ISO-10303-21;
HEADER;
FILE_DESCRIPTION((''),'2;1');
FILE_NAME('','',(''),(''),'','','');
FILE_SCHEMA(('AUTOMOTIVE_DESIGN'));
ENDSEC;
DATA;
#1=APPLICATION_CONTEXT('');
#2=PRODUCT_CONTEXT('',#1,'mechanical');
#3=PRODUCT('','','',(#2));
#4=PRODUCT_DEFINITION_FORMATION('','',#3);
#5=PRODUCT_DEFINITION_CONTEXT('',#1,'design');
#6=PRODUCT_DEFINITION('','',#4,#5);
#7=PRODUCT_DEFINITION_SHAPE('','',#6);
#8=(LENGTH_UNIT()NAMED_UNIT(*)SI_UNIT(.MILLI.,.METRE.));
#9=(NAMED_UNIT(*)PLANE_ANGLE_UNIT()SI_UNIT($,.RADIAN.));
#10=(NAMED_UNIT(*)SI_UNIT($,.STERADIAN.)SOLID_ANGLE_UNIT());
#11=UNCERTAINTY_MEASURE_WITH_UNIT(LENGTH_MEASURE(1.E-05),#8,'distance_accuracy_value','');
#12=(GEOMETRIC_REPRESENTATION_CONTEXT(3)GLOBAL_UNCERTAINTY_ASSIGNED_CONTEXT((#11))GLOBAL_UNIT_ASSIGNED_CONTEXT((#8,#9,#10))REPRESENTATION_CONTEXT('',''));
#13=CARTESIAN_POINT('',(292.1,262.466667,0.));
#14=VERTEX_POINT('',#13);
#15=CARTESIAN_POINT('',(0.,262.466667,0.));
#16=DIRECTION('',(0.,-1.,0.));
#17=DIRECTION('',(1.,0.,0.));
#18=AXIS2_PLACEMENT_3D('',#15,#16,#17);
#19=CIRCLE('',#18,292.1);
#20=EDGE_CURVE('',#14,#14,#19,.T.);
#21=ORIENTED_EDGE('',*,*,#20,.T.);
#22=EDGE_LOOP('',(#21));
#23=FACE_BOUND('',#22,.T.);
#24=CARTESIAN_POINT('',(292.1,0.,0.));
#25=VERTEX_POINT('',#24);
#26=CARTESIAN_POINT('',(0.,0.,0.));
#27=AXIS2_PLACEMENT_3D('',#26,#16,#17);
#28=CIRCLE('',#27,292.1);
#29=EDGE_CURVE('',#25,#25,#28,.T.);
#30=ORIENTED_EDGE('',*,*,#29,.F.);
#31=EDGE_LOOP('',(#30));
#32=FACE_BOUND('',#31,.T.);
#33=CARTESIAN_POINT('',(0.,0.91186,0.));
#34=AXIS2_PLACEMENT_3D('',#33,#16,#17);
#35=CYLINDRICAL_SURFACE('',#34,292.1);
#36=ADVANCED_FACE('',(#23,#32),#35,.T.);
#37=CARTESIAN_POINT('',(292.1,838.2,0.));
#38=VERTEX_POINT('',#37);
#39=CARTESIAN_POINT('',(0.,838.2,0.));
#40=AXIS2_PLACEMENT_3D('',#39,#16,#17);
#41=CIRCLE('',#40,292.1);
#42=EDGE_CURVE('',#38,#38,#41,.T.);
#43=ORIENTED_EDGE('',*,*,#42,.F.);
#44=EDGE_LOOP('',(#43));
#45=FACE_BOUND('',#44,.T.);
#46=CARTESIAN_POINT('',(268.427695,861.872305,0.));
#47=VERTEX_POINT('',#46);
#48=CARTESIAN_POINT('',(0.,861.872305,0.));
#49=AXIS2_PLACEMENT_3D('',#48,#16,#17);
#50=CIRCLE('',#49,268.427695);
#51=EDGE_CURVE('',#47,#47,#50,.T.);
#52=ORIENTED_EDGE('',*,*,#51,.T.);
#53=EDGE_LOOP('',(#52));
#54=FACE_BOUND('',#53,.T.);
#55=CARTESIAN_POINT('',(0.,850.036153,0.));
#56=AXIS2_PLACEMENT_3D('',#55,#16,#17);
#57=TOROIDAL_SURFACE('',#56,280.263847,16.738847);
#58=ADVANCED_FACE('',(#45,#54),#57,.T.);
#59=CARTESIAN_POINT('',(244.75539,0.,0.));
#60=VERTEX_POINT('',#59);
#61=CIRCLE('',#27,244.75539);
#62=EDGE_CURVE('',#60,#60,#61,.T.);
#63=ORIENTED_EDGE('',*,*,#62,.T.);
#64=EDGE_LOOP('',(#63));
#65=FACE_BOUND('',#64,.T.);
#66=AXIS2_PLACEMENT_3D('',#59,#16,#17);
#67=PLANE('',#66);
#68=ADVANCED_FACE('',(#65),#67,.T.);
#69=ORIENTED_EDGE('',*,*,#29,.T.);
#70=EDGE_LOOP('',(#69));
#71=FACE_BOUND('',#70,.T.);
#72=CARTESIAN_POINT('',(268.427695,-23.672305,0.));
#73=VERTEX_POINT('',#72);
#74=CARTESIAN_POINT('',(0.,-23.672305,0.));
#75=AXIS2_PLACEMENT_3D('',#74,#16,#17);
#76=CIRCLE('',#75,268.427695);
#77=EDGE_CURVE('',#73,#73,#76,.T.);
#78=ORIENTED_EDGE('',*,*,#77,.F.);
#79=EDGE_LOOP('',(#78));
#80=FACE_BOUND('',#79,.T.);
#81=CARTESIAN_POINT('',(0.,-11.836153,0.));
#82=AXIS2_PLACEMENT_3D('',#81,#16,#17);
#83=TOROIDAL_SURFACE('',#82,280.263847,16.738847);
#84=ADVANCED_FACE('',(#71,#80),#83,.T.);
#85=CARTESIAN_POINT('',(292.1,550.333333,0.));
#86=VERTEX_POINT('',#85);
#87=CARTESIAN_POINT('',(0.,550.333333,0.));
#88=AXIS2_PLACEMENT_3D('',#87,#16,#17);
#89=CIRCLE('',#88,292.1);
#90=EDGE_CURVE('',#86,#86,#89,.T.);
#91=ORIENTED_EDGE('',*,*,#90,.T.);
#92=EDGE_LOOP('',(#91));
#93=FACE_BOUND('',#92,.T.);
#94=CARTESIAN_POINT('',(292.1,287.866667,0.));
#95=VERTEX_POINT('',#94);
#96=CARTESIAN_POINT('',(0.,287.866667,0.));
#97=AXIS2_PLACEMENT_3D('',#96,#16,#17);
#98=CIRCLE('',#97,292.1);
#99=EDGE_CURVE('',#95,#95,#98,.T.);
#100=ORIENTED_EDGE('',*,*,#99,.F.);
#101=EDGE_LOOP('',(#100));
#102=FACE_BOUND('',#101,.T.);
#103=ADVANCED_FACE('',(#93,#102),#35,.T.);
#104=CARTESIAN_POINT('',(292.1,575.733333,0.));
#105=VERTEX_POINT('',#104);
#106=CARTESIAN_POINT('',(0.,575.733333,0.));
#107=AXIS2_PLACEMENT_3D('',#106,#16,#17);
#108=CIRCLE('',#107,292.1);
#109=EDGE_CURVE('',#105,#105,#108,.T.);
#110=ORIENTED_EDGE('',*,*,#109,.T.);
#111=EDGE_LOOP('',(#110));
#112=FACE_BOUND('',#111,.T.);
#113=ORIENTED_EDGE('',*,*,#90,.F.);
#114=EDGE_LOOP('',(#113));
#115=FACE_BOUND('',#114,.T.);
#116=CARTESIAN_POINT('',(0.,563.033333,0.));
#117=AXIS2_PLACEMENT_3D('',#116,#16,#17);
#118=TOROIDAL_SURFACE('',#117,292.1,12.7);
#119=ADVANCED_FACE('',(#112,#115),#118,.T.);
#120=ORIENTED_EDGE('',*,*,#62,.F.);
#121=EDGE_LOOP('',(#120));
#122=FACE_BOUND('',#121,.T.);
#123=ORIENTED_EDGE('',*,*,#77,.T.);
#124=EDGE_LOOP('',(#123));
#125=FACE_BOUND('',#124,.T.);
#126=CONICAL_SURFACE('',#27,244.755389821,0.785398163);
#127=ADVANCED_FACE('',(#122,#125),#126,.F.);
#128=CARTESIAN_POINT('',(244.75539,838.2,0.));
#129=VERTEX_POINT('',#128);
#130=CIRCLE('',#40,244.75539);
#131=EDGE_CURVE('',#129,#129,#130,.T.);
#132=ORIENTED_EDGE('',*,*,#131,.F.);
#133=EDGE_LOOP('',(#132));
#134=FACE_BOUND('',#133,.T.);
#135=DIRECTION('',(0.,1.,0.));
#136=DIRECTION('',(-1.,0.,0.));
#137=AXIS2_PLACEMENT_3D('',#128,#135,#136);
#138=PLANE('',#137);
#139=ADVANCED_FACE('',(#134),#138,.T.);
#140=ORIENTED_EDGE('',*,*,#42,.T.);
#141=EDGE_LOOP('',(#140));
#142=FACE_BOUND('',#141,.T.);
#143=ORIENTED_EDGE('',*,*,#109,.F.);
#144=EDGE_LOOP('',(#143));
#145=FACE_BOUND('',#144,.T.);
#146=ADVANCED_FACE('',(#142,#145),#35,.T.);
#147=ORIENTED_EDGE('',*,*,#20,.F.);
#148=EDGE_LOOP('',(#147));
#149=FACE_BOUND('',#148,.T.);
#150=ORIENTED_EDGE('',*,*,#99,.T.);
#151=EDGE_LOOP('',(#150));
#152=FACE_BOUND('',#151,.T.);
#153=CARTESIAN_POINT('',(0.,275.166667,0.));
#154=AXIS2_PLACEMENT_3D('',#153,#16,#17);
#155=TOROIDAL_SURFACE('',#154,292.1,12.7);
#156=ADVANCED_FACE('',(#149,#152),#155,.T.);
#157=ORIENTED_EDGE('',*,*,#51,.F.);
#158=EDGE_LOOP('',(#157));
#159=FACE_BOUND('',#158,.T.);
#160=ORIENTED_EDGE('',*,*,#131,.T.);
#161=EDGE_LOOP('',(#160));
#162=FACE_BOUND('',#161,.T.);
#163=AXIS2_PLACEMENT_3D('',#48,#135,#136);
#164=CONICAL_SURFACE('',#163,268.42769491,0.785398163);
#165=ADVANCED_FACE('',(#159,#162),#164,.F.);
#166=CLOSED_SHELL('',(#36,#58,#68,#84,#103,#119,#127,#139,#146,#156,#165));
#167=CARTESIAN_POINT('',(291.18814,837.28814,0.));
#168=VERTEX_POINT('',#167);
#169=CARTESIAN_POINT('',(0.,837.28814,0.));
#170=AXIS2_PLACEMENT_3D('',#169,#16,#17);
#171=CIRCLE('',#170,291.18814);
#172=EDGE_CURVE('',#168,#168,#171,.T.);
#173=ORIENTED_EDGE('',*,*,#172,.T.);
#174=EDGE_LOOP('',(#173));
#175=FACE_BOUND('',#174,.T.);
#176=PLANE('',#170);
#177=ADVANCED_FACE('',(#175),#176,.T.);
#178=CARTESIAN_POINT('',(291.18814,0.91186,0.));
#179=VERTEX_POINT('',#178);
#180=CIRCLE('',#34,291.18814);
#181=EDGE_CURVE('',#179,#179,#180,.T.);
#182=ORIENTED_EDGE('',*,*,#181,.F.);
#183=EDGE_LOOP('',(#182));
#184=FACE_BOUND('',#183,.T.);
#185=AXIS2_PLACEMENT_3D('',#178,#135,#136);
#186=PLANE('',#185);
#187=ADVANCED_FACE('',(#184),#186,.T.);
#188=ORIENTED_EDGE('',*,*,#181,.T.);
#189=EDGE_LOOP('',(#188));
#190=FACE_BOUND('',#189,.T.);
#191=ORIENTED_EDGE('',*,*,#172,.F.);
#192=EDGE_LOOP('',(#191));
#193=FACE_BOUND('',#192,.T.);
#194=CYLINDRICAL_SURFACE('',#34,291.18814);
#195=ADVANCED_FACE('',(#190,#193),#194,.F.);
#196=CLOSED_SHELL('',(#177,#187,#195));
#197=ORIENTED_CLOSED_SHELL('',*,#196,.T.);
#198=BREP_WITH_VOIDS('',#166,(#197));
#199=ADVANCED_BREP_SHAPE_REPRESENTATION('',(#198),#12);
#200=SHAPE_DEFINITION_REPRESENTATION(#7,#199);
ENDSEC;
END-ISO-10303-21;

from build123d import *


with BuildPart() as part:
    # Sketch1 → Revolve1 (revolve)
    with BuildSketch(Plane.XY):
        with BuildLine():
            Line((292.1, 0), (292.1, 262.466666667))
            ThreePointArc((292.1, 262.466666667), (304.8, 275.166666667), (292.1, 287.866666667))
            Line((292.1, 287.866666667), (292.1, 550.333333333))
            ThreePointArc((292.1, 550.333333333), (304.8, 563.033333333), (292.1, 575.733333333))
            Line((292.1, 575.733333333), (292.1, 838.2))
            ThreePointArc((292.1, 838.2), (292.1, 861.87230509), (268.42769491, 861.87230509))
            Line((268.42769491, 861.87230509), (244.755389821, 838.2))
            Line((244.755389821, 838.2), (0, 838.2))
            Line((0, 838.2), (0, 837.28814))
            Line((0, 837.28814), (291.18814, 837.28814))
            Line((291.18814, 837.28814), (291.18814, 0.91186))
            Line((291.18814, 0.91186), (0, 0.91186))
            Line((0, 0.91186), (0, 0))
            Line((0, 0), (244.755389821, 0))
            Line((244.755389821, 0), (268.42769491, -23.67230509))
            ThreePointArc((268.42769491, -23.67230509), (292.1, -23.67230509), (292.1, 0))
        make_face()
    revolve(axis=Axis((0, 0.91186, 0), (0, 1, 0)))


solid = part.part
